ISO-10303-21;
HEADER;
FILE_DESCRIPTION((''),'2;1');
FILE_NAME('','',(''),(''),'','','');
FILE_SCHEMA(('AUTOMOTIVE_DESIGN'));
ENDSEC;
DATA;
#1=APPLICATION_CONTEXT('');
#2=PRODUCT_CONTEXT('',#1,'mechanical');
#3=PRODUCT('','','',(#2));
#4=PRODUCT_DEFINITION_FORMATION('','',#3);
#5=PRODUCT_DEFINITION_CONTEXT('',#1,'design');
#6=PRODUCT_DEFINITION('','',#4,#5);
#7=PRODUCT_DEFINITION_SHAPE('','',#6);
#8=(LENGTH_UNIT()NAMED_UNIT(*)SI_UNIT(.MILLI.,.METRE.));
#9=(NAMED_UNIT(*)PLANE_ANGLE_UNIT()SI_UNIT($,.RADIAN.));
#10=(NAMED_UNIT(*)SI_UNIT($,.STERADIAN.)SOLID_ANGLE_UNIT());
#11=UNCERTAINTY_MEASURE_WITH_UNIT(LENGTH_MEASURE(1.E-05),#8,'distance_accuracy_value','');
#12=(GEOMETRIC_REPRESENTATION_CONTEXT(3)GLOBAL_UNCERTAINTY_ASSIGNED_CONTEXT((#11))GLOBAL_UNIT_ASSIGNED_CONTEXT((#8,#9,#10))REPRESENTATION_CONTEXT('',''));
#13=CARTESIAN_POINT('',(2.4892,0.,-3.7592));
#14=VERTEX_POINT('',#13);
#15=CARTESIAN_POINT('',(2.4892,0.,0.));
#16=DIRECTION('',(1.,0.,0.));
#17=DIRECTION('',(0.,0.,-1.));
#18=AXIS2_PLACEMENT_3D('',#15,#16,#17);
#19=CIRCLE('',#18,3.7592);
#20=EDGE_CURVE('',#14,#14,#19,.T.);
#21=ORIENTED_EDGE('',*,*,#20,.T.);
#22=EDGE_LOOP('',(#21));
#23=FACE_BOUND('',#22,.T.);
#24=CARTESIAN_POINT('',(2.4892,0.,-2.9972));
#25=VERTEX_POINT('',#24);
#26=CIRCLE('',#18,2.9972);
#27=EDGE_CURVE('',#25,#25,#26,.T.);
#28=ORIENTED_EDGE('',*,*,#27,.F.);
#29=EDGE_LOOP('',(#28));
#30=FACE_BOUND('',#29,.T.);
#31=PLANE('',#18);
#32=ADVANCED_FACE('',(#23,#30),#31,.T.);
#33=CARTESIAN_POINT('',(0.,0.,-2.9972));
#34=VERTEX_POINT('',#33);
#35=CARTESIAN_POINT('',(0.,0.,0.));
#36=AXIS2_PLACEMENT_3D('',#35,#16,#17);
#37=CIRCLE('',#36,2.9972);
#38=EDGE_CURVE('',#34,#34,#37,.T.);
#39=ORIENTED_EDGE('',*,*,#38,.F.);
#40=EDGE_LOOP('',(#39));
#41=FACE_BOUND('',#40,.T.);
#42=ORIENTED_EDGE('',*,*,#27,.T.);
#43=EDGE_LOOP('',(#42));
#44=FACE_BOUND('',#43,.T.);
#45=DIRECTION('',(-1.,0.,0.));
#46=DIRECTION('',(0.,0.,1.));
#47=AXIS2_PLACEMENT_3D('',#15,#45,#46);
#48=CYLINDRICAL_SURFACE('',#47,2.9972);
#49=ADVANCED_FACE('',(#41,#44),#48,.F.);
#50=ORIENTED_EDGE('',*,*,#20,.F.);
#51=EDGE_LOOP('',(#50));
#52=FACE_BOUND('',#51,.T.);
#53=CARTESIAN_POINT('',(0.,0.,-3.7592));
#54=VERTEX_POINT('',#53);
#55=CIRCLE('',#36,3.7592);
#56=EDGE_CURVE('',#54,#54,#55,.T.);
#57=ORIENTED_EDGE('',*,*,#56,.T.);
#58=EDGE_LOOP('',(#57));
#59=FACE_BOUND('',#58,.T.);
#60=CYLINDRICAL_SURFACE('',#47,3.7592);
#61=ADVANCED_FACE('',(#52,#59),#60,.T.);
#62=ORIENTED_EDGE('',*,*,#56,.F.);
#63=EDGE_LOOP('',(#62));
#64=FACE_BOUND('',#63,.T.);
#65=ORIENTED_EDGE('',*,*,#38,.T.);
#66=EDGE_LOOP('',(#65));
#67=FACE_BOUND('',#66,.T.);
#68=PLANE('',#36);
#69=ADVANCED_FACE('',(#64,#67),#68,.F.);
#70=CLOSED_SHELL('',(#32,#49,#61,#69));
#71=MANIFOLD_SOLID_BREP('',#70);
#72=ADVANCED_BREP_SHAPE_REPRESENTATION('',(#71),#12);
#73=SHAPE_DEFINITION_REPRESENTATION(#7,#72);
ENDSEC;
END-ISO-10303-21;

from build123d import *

# Parameters (mm, degrees)
SKETCH1_R           = 3.7592
SKETCH1_R_2         = 2.9972
BOSS_EXTRUDE1_DEPTH = 2.4892


with BuildPart() as part:
    # Sketch1 → Boss-Extrude1 (new body)
    with BuildSketch(Plane.YZ):
        with Locations(Location((0, 0, 0), (0, 0, 270))):
            Circle(SKETCH1_R)
        with Locations(Location((0, 0, 0), (0, 0, 270))):
            Circle(SKETCH1_R_2, mode=Mode.SUBTRACT)
    extrude(amount=BOSS_EXTRUDE1_DEPTH)


solid = part.part
